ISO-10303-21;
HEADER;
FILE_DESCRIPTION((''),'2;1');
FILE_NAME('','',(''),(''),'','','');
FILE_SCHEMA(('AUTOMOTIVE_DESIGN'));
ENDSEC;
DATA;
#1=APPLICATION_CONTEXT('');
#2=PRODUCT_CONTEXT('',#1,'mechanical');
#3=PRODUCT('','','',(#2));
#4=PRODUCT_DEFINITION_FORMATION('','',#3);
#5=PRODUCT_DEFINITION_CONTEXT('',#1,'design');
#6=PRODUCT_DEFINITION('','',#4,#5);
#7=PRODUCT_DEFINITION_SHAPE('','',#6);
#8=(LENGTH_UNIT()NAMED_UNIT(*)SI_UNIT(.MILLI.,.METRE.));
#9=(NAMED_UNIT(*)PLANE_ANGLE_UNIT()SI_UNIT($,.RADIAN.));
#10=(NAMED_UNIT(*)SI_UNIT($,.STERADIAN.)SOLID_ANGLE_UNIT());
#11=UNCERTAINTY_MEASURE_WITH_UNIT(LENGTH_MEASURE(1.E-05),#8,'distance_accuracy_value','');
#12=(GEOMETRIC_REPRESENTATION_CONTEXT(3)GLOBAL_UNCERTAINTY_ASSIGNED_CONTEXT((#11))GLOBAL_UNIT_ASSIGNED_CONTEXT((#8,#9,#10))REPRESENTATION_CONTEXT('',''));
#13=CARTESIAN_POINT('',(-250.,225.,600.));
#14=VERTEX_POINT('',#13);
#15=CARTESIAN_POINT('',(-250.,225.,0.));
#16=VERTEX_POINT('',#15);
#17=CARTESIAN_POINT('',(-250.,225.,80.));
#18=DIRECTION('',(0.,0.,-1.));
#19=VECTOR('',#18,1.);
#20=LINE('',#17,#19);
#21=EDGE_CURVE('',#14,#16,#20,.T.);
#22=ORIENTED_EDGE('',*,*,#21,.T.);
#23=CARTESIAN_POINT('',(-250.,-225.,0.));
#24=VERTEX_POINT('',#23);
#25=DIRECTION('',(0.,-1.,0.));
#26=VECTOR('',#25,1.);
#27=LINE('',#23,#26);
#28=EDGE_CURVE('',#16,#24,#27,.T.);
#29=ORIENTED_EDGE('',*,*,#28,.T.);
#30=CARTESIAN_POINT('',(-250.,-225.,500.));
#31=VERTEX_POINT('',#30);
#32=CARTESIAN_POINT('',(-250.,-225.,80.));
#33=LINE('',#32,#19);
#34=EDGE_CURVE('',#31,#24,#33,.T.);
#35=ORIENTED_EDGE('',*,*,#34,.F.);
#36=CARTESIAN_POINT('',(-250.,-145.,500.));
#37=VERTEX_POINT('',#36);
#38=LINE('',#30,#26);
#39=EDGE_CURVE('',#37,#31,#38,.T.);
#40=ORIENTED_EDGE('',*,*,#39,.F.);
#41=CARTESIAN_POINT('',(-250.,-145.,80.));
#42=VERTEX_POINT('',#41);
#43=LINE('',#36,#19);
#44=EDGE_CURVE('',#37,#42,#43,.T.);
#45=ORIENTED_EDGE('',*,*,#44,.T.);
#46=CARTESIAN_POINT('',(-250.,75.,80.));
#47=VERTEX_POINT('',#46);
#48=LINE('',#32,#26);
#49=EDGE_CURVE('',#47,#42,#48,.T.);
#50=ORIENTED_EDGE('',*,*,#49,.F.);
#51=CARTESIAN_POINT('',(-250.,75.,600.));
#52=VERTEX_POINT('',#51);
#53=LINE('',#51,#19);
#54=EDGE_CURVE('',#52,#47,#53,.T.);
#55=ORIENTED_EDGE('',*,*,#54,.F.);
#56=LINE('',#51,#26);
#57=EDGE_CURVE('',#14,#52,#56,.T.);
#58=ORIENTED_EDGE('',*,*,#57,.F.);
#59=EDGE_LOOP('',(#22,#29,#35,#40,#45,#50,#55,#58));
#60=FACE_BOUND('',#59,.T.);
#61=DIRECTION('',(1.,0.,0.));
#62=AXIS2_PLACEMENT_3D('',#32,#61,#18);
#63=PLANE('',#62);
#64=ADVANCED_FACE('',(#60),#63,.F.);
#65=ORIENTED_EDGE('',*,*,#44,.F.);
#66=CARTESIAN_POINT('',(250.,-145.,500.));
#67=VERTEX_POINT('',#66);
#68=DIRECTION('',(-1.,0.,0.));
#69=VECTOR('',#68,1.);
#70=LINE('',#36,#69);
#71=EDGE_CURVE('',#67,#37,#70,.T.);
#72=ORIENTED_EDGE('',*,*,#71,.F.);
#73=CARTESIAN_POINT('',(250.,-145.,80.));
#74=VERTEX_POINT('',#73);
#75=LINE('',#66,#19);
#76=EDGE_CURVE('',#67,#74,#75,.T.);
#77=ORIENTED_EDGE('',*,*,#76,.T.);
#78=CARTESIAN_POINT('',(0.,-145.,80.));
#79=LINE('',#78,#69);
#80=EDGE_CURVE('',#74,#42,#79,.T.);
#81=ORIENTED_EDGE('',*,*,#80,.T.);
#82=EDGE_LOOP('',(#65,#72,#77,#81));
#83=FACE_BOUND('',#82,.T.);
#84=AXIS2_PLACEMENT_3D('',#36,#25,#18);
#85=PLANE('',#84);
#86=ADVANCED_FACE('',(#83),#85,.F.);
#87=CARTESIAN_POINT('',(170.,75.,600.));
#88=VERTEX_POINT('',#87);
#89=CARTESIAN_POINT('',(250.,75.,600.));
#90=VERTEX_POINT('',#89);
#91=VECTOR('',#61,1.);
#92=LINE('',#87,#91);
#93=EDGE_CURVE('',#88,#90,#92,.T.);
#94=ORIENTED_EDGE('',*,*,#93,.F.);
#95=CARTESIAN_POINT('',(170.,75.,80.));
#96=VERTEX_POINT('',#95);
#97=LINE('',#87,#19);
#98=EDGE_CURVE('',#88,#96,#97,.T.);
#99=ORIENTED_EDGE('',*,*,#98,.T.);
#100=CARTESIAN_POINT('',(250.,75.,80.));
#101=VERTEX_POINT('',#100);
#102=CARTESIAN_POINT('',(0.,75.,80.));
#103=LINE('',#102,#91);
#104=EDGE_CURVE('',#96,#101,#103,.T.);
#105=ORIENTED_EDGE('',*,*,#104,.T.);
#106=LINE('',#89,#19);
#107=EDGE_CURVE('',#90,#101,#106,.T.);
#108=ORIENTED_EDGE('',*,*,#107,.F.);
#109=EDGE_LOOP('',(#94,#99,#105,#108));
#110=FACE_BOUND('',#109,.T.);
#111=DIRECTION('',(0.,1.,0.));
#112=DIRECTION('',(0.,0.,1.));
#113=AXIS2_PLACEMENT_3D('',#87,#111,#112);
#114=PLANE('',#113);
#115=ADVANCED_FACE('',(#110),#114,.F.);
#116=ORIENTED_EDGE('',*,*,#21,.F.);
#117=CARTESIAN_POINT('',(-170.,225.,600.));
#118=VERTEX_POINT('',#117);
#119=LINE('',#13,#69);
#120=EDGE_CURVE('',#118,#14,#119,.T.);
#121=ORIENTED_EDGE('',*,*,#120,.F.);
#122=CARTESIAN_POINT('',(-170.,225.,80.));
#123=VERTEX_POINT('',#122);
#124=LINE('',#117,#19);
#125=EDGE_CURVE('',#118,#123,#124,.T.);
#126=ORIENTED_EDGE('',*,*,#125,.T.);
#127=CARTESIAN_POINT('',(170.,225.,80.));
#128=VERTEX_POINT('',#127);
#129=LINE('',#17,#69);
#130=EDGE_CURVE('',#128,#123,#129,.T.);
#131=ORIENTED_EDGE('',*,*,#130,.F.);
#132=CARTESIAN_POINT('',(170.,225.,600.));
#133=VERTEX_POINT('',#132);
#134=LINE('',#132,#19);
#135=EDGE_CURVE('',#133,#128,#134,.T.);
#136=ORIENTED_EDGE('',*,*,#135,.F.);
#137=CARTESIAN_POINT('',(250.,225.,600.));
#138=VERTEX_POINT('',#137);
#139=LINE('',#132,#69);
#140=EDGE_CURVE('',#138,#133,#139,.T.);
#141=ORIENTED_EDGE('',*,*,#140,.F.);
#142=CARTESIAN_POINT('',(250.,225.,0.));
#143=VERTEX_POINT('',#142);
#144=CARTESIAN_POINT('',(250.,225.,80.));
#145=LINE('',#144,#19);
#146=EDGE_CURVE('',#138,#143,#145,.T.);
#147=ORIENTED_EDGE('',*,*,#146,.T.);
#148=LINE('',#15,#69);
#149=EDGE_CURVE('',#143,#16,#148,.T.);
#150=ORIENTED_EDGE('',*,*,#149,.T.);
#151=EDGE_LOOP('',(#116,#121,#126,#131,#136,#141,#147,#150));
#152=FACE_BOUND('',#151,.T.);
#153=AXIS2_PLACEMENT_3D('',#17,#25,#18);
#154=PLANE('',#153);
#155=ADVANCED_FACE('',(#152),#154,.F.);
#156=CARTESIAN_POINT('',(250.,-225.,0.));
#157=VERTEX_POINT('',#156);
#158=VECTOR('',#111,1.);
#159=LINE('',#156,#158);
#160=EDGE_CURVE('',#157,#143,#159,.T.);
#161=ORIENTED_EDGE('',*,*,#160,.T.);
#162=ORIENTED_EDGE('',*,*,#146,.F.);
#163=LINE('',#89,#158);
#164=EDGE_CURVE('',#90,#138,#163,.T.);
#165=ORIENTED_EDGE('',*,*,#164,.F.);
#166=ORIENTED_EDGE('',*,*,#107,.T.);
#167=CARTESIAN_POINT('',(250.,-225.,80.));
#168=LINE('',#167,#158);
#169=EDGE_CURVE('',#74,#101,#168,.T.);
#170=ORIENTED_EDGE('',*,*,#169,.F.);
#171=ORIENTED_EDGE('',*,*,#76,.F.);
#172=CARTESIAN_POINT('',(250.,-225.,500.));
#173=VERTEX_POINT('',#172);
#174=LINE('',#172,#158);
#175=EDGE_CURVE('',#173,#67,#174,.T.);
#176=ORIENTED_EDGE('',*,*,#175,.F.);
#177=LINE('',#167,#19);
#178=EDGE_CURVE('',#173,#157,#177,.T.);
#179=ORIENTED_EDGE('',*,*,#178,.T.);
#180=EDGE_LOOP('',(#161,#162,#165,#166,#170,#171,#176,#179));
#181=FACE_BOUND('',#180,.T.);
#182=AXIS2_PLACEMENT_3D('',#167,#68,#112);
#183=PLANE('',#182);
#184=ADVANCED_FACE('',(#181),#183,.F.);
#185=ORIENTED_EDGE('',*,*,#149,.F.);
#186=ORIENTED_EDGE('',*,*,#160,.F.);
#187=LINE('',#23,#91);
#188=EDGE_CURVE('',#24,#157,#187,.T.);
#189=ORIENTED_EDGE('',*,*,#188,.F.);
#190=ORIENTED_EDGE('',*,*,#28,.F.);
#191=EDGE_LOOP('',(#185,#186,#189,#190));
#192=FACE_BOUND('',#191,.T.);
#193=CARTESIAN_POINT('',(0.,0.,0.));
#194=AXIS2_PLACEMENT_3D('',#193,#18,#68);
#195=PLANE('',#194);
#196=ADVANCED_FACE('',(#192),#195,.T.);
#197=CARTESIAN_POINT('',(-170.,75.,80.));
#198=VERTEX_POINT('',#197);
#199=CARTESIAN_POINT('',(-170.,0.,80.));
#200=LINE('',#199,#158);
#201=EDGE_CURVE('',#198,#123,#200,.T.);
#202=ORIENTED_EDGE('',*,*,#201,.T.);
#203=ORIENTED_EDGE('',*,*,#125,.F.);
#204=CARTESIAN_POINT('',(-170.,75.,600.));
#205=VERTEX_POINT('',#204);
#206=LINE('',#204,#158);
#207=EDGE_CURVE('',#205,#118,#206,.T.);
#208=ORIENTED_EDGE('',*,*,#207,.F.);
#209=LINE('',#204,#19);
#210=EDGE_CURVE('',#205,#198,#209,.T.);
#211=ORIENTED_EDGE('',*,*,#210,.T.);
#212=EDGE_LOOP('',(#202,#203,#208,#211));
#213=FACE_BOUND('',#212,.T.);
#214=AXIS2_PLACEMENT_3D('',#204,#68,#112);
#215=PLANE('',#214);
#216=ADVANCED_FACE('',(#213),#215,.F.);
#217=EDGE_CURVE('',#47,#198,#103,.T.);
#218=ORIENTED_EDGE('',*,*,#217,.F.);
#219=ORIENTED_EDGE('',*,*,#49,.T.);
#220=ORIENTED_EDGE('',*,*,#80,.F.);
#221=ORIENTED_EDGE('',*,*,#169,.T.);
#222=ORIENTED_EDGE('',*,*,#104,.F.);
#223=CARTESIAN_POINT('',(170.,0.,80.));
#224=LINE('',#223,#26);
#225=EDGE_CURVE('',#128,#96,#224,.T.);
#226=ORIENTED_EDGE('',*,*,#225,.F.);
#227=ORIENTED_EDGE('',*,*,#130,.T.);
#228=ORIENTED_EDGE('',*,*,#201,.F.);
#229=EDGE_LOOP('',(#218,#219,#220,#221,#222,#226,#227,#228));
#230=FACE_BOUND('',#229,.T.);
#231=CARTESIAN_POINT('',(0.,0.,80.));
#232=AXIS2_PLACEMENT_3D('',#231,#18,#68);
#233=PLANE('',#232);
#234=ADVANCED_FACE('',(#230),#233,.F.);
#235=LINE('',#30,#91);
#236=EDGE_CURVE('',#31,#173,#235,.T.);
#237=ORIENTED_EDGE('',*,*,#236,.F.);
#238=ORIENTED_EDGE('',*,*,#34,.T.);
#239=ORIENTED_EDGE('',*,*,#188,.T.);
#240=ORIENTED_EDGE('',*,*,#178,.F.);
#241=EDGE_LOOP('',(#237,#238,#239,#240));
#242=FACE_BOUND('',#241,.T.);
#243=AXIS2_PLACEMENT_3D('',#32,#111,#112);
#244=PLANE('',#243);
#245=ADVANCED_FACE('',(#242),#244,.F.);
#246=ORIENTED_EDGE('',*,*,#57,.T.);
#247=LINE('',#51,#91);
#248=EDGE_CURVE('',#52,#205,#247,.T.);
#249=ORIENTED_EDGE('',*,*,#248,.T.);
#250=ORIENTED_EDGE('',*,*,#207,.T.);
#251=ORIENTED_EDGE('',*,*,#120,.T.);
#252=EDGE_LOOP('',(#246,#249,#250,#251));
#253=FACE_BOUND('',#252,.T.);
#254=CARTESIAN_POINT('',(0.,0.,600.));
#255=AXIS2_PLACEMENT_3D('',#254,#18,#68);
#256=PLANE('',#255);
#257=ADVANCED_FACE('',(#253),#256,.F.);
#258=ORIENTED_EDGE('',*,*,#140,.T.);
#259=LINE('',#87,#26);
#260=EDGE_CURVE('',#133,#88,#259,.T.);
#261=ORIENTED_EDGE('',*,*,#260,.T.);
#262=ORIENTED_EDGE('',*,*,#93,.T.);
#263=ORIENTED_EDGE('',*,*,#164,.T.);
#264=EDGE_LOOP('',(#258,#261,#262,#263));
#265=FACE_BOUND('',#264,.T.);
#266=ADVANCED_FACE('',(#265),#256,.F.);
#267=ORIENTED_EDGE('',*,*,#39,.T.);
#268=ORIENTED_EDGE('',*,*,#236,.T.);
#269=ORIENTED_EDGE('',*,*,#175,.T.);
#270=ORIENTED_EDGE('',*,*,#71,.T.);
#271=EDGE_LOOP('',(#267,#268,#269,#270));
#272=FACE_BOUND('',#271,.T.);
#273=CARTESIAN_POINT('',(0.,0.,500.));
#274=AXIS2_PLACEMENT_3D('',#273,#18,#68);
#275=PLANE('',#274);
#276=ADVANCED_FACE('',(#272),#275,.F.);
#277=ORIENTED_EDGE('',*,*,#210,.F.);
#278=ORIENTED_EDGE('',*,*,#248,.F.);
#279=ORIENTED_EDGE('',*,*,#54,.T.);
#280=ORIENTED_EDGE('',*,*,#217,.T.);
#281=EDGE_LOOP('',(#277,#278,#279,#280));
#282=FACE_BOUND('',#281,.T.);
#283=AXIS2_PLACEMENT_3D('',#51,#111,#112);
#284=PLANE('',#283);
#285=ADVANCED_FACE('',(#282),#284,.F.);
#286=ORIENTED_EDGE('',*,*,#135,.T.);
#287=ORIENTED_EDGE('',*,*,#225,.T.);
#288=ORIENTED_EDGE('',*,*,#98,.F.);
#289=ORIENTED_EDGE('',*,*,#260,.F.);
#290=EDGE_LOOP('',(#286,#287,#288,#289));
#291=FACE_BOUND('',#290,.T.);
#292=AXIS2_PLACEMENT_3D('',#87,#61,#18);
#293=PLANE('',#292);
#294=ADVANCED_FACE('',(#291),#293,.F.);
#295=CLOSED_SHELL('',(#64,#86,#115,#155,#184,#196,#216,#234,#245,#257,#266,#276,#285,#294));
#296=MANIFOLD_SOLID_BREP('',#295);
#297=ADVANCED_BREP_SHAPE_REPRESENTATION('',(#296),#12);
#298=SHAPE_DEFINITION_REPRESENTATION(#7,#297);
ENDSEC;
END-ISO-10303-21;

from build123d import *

# Parameters (mm, degrees)
SKETCH_1_W      = 500
SKETCH_1_H      = 450
EXTRUDE_1_DEPTH = 80
SKETCH_2_W      = 500
SKETCH_2_H      = 80
EXTRUDE_2_DEPTH = 500
SKETCH_3_W      = 80
SKETCH_3_H      = 150
EXTRUDE_3_DEPTH = 600
SKETCH_4_W      = 80
SKETCH_4_H      = 150
EXTRUDE_4_DEPTH = 600


with BuildPart() as part:
    # 草图1 → 凸台-拉伸1 (new body)
    with BuildSketch(Plane.XY):
        Rectangle(SKETCH_1_W, SKETCH_1_H)
    extrude(amount=EXTRUDE_1_DEPTH)

    # 草图2 → 凸台-拉伸2 (add)
    with BuildSketch(Plane.XY):
        with Locations((0, -185)):
            Rectangle(SKETCH_2_W, SKETCH_2_H)
    extrude(amount=EXTRUDE_2_DEPTH)

    # 草图3 → 凸台-拉伸3 (add)
    with BuildSketch(Plane.XY):
        with Locations((-210, 150)):
            Rectangle(SKETCH_3_W, SKETCH_3_H)
    extrude(amount=EXTRUDE_3_DEPTH)

    # 草图4 → 凸台-拉伸4 (add)
    with BuildSketch(Plane.XY):
        with Locations((210, 150)):
            Rectangle(SKETCH_4_W, SKETCH_4_H)
    extrude(amount=EXTRUDE_4_DEPTH)


solid = part.part
